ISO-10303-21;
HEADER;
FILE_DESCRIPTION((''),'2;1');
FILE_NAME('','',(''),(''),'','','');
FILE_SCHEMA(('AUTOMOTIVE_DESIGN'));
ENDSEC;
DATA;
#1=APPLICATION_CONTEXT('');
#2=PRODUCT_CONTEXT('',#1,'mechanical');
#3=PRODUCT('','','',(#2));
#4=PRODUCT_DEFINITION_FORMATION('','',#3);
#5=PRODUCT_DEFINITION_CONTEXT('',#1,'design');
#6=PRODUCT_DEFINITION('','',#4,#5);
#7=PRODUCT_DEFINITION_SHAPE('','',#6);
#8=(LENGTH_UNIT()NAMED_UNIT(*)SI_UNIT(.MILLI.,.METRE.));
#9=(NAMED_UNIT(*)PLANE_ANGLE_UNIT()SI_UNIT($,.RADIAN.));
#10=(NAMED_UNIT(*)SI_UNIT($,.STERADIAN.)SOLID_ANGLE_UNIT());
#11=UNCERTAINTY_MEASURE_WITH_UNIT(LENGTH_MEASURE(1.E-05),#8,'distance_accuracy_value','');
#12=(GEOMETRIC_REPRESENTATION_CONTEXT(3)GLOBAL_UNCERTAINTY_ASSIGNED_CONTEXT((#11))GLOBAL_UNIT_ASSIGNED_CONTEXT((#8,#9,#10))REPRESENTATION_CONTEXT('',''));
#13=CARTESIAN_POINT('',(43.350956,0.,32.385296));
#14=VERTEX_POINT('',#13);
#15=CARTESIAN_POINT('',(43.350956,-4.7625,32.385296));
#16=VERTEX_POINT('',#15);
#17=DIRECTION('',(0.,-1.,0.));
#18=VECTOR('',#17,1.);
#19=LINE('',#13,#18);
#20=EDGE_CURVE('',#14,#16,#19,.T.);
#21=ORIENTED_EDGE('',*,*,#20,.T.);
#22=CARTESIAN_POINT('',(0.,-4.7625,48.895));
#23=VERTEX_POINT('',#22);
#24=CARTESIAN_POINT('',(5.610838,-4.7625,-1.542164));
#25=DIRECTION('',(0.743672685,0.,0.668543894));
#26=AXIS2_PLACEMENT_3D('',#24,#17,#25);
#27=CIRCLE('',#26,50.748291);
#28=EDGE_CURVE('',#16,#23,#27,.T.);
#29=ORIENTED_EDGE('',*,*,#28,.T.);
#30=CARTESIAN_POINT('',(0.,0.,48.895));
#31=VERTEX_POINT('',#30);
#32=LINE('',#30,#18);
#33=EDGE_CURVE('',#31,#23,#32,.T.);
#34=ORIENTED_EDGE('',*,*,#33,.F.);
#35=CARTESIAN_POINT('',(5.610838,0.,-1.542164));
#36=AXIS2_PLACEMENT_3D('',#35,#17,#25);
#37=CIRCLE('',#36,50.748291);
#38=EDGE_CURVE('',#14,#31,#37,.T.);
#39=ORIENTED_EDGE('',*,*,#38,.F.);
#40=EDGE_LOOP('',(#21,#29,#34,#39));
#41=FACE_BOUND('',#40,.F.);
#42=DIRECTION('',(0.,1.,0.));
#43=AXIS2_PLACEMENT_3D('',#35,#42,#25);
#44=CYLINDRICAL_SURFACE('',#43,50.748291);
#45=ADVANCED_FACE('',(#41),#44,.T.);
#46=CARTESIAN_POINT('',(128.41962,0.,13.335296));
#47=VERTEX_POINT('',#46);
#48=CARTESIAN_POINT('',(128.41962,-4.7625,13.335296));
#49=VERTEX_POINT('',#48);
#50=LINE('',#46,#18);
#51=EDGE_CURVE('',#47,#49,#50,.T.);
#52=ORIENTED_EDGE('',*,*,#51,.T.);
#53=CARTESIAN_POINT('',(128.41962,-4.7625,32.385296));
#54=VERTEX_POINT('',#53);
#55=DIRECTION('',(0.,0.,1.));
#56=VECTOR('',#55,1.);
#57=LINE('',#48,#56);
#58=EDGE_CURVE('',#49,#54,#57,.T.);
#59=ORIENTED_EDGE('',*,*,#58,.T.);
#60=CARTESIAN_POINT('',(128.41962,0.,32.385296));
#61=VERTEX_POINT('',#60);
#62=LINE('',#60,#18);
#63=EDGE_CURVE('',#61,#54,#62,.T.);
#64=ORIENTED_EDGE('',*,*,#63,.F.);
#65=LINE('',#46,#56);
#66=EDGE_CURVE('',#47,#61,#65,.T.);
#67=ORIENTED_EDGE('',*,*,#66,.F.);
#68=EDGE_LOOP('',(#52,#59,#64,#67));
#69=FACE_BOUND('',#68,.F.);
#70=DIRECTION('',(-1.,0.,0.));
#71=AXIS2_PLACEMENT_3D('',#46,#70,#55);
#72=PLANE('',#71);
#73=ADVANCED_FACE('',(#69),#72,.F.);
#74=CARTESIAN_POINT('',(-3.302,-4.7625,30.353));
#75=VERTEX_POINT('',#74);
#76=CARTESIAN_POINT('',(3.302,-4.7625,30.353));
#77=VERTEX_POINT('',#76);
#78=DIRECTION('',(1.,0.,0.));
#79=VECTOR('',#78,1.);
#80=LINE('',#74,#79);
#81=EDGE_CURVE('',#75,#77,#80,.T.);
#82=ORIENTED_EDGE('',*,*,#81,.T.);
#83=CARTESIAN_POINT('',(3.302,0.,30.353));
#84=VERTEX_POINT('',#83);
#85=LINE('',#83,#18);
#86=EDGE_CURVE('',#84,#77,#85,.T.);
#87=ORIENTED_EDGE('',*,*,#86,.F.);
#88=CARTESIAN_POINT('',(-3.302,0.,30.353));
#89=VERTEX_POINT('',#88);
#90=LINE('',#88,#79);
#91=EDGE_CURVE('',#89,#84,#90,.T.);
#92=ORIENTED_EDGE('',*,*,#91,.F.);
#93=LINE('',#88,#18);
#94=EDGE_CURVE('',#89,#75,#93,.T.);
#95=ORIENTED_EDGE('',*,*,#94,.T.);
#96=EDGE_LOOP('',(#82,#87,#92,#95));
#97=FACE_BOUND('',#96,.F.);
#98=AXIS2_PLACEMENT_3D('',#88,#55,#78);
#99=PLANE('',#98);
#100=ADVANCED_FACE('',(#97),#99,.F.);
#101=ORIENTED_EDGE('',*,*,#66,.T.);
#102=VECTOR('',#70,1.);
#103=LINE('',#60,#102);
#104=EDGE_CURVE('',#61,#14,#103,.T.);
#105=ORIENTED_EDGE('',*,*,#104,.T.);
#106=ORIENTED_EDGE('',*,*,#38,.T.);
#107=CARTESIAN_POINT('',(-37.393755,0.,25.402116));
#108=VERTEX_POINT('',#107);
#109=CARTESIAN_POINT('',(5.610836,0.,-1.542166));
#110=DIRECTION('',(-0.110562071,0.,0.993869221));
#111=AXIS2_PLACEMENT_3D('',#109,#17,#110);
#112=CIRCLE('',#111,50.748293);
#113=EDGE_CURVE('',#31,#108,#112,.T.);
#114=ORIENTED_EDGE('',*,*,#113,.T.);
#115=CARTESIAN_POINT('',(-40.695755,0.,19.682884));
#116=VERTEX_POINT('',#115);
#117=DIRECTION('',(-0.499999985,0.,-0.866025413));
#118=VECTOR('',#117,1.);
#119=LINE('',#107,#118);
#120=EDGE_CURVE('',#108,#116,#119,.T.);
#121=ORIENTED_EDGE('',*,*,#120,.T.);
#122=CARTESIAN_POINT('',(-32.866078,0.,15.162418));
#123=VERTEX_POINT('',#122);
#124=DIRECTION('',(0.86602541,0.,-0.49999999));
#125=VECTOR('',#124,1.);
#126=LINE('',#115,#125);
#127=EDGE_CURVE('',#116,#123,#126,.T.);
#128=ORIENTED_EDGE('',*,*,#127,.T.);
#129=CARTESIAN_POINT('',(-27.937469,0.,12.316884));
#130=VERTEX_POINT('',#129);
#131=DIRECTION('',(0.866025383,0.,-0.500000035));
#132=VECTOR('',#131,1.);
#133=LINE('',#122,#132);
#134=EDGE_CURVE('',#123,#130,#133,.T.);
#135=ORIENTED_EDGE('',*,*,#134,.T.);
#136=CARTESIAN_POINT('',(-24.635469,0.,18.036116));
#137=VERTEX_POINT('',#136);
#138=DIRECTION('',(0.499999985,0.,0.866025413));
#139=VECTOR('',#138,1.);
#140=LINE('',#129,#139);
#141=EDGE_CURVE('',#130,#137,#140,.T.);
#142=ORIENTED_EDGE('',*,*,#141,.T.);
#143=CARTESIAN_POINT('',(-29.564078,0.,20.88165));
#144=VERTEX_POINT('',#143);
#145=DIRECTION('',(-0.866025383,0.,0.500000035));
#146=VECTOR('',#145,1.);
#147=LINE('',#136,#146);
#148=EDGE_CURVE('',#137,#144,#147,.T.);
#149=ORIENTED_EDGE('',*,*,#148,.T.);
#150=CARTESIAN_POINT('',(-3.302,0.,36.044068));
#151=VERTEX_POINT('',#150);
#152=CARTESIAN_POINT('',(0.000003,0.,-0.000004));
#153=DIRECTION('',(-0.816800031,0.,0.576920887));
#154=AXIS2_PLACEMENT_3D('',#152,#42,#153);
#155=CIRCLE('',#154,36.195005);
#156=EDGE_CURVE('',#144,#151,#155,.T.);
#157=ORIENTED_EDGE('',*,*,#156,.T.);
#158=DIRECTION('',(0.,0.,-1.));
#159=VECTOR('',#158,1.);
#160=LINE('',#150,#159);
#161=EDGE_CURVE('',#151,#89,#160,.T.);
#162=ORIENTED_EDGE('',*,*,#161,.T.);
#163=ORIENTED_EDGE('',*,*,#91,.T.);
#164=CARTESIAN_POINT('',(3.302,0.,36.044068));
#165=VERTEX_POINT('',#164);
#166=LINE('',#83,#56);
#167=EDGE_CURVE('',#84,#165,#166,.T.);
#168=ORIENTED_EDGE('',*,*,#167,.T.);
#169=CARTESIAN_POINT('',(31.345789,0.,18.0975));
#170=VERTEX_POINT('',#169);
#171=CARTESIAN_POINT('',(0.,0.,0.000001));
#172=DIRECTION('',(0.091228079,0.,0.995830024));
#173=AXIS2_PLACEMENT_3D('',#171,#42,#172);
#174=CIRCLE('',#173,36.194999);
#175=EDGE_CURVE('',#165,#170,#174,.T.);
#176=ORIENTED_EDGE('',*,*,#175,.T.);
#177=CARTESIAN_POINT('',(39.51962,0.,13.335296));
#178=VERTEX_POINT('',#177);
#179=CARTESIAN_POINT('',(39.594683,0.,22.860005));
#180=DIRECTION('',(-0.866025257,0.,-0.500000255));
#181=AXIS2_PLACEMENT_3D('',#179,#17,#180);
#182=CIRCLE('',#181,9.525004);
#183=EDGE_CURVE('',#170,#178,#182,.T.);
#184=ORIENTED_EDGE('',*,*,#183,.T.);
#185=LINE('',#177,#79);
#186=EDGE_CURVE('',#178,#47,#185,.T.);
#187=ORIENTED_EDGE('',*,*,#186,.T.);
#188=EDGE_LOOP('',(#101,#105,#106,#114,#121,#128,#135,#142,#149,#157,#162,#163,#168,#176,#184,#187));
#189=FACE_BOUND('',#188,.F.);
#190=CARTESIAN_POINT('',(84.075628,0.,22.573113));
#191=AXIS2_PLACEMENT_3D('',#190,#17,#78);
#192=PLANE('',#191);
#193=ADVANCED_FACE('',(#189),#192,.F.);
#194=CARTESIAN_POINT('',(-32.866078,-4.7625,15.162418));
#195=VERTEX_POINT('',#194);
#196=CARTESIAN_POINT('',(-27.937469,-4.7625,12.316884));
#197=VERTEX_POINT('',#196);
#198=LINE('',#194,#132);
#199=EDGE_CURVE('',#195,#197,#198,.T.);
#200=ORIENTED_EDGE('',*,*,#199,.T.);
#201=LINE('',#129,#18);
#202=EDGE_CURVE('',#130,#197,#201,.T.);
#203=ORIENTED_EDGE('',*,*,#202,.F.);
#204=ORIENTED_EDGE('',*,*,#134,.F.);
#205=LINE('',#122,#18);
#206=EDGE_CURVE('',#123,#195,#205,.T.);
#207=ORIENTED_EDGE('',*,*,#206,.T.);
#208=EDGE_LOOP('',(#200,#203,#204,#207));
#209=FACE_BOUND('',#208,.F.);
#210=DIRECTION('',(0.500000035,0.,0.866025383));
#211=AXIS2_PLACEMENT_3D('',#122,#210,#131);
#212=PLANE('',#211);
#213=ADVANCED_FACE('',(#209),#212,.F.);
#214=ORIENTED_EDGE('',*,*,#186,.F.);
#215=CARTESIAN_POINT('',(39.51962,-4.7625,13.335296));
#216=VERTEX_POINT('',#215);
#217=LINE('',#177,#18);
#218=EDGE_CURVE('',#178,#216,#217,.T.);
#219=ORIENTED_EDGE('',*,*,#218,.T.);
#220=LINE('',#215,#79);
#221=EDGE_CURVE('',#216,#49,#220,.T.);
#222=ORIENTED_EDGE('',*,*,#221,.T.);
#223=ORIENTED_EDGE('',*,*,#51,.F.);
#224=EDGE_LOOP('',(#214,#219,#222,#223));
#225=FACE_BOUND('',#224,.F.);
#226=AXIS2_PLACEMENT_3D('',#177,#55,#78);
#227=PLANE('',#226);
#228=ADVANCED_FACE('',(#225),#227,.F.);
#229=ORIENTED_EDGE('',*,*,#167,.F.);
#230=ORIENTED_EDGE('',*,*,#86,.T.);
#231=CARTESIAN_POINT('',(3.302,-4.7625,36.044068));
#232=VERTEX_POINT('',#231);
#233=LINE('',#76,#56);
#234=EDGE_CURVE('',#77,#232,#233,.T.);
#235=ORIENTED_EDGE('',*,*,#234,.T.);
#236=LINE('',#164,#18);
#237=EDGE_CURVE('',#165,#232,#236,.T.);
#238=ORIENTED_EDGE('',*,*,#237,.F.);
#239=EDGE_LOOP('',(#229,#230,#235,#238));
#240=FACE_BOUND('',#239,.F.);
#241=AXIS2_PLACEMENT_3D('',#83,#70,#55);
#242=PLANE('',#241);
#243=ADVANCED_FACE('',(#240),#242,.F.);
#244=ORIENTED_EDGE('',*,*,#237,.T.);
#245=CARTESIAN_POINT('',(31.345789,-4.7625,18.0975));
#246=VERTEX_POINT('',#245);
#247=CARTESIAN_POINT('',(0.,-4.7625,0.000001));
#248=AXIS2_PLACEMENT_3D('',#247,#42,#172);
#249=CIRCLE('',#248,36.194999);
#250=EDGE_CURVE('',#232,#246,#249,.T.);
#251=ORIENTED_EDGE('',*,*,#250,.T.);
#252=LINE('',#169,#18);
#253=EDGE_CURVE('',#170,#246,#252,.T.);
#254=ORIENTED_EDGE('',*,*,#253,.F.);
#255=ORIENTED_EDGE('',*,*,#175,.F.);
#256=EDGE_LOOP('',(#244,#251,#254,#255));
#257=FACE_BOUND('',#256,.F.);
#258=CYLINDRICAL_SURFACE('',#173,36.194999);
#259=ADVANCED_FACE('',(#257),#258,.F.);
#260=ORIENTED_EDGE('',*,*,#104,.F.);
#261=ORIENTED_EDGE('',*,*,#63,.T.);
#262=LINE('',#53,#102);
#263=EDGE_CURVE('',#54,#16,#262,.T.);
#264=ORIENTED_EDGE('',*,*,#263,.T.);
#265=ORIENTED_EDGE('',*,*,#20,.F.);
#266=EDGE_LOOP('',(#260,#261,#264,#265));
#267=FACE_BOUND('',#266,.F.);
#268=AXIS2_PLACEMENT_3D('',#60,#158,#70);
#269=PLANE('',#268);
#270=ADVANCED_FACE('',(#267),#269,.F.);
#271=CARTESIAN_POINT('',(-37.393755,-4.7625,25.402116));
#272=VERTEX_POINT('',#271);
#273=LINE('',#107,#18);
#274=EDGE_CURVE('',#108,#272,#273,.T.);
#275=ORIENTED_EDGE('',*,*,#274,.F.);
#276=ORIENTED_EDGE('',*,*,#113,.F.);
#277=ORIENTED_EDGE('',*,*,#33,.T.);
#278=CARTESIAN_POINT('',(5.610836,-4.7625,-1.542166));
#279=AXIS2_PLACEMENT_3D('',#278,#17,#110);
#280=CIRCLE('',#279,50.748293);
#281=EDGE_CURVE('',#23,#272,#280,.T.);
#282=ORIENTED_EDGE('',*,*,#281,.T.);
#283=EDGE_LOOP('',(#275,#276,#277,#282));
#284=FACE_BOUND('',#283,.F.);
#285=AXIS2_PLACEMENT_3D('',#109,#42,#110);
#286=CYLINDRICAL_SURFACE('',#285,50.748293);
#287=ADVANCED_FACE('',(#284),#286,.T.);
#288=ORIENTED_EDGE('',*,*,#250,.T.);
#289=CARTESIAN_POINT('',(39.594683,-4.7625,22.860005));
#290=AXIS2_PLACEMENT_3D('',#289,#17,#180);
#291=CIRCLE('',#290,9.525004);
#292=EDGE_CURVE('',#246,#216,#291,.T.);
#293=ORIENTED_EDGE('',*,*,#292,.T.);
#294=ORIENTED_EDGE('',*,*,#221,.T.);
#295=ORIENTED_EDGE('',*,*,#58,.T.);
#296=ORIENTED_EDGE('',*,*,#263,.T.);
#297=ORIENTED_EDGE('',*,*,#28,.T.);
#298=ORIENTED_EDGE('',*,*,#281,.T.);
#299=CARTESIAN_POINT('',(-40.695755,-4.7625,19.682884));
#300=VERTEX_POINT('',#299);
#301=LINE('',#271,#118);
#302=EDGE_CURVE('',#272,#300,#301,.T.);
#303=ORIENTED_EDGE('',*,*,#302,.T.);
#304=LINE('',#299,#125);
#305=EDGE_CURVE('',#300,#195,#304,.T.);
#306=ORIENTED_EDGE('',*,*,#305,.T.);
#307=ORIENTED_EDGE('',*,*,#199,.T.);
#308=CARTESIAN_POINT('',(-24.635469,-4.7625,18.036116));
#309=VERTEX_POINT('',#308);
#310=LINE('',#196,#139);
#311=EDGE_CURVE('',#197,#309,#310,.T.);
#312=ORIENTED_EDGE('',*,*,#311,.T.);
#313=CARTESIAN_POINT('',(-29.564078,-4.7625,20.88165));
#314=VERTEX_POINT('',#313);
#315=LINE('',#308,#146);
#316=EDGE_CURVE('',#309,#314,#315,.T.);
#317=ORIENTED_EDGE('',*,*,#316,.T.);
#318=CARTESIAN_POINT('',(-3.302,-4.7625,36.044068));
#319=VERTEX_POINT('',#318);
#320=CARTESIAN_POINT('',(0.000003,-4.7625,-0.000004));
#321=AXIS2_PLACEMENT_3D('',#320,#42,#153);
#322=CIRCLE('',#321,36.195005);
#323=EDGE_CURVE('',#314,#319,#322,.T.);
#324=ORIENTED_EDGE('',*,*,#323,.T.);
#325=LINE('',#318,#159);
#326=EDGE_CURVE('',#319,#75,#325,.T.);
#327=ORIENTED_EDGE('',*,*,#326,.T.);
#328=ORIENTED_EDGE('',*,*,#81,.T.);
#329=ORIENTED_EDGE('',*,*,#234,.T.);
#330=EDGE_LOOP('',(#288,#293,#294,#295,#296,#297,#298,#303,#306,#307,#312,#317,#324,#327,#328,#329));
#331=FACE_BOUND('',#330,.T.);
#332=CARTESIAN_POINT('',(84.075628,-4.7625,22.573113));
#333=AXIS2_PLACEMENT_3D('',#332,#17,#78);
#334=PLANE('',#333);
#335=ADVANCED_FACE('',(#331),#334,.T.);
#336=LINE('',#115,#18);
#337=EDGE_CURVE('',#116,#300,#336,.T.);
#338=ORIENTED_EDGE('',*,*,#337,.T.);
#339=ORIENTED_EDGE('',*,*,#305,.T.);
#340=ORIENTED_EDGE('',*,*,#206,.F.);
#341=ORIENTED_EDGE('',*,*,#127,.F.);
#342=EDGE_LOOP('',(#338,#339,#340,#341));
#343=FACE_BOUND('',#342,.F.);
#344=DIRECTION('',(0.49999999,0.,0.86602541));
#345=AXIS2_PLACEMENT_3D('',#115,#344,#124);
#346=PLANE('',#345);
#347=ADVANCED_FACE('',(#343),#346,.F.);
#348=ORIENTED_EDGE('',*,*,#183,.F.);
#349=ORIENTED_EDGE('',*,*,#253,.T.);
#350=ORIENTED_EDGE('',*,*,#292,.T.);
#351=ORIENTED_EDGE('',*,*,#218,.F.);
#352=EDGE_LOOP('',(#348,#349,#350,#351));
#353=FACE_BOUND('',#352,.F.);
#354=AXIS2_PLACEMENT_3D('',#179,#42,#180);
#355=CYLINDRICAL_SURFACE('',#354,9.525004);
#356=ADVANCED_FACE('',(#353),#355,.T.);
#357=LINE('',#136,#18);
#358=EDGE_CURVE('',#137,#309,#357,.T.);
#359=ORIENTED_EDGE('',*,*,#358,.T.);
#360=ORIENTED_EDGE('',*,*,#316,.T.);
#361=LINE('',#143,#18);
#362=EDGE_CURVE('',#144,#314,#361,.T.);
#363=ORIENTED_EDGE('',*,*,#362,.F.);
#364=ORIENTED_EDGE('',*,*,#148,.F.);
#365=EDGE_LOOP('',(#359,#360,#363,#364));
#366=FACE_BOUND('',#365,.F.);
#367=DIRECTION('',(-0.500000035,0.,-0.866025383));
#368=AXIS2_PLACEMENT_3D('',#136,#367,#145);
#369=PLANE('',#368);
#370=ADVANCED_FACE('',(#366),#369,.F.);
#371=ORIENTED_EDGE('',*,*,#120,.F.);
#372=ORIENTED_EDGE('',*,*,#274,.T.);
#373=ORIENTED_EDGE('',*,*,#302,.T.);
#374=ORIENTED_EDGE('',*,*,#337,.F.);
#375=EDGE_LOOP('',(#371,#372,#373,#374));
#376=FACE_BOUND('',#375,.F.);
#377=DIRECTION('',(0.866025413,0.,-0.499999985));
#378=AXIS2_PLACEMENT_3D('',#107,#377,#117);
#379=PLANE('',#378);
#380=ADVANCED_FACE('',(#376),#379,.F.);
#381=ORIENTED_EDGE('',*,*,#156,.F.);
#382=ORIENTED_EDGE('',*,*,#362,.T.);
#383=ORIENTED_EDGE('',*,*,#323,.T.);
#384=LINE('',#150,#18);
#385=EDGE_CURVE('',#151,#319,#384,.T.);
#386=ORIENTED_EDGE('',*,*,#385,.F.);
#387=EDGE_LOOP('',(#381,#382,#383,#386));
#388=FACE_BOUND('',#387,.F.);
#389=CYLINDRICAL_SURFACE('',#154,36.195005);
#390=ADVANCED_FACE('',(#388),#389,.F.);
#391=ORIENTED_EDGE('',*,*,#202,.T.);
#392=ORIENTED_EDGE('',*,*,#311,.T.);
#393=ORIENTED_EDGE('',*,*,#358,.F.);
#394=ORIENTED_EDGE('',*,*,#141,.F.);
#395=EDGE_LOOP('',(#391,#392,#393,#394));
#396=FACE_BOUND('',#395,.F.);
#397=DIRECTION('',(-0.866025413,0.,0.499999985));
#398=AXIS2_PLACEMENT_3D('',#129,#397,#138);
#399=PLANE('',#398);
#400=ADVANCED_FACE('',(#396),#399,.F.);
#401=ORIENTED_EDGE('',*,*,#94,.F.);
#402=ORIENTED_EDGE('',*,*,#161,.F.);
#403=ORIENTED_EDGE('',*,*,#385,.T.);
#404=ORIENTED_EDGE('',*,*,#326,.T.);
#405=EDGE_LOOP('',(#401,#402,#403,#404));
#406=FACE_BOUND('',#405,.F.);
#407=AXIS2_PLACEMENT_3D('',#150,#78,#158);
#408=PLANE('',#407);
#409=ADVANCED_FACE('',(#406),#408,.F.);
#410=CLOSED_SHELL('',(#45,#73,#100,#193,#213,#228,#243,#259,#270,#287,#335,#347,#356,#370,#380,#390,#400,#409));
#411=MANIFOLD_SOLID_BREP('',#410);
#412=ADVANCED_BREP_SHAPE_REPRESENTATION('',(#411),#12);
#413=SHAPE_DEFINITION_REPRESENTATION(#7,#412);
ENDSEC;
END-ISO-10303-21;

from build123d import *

# Parameters (mm, degrees)
F1_DEPTH = 4.7625


with BuildPart() as f1:
    # F0 (on Front) → F1 (new body)
    with BuildSketch(Plane.XZ):
        with BuildLine():
            ThreePointArc((43.350956, 32.385296), (43.963334, 31.69148), (44.562959, 30.986613))
            ThreePointArc((44.562959, 30.986613), (47.902764, 27.518475), (49.119681, 22.86))
            ThreePointArc((49.119681, 22.86), (46.35636, 16.151399), (39.669743, 13.335296))
            Line((39.669743, 13.335296), (128.41962, 13.335296))
            Line((128.41962, 13.335296), (128.41962, 32.385296))
            Line((128.41962, 32.385296), (43.350956, 32.385296))
        make_face()
        with BuildLine():
            ThreePointArc((44.562959, 30.986613), (32.94465, 29.679289), (31.345789, 18.0975))
            ThreePointArc((31.345789, 18.0975), (34.799716, 14.629938), (39.51962, 13.335296))
            Line((39.51962, 13.335296), (39.669743, 13.335296))
            ThreePointArc((39.669743, 13.335296), (46.35636, 16.151399), (49.119681, 22.86))
            ThreePointArc((49.119681, 22.86), (47.902764, 27.518475), (44.562959, 30.986613))
        make_face()
        with BuildLine():
            ThreePointArc((3.302, 36.044068), (19.509924, 30.486733), (31.345789, 18.0975))
            ThreePointArc((31.345789, 18.0975), (32.94465, 29.679289), (44.562959, 30.986613))
            ThreePointArc((44.562959, 30.986613), (43.963334, 31.69148), (43.350956, 32.385296))
            ThreePointArc((43.350956, 32.385296), (23.672268, 45.883291), (0, 48.895))
            Line((0, 48.895), (0, 36.195))
            ThreePointArc((0, 36.195), (1.652724, 36.157247), (3.302, 36.044068))
        make_face()
        with BuildLine():
            ThreePointArc((-3.302, 36.044068), (-1.652724, 36.157247), (0, 36.195))
            Line((0, 36.195), (0, 48.895))
            ThreePointArc((0, 48.895), (-21.386272, 41.429282), (-37.393755, 25.402116))
            Line((-37.393755, 25.402116), (-29.564078, 20.88165))
            ThreePointArc((-29.564078, 20.88165), (-18.0975, 31.345789), (-3.302, 36.044068))
        make_face()
        Polygon((-32.866078, 15.162418), (-37.393755, 25.402116), (-40.695755, 19.682884), align=None)
        with BuildLine():
            ThreePointArc((-32.866078, 15.162418), (-32.139457, 16.647323), (-31.345789, 18.0975))
            ThreePointArc((-31.345789, 18.0975), (-30.486733, 19.509924), (-29.564078, 20.88165))
            Line((-29.564078, 20.88165), (-37.393755, 25.402116))
            Line((-37.393755, 25.402116), (-32.866078, 15.162418))
        make_face()
        with BuildLine():
            Line((-31.345789, 18.0975), (-26.286469, 15.1765))
            Line((-26.286469, 15.1765), (-24.635469, 18.036116))
            Line((-24.635469, 18.036116), (-29.564078, 20.88165))
            ThreePointArc((-29.564078, 20.88165), (-30.486733, 19.509924), (-31.345789, 18.0975))
        make_face()
        with BuildLine():
            Line((-27.937469, 12.316884), (-26.286469, 15.1765))
            Line((-26.286469, 15.1765), (-31.345789, 18.0975))
            ThreePointArc((-31.345789, 18.0975), (-32.139457, 16.647323), (-32.866078, 15.162418))
            Line((-32.866078, 15.162418), (-27.937469, 12.316884))
        make_face()
        with BuildLine():
            Line((0, 30.353), (0, 36.195))
            ThreePointArc((0, 36.195), (-1.652724, 36.157247), (-3.302, 36.044068))
            Line((-3.302, 36.044068), (-3.302, 30.353))
            Line((-3.302, 30.353), (0, 30.353))
        make_face()
        with BuildLine():
            Line((3.302, 30.353), (3.302, 36.044068))
            ThreePointArc((3.302, 36.044068), (1.652724, 36.157247), (0, 36.195))
            Line((0, 36.195), (0, 30.353))
            Line((0, 30.353), (3.302, 30.353))
        make_face()
    extrude(amount=F1_DEPTH)


solid = f1.part
